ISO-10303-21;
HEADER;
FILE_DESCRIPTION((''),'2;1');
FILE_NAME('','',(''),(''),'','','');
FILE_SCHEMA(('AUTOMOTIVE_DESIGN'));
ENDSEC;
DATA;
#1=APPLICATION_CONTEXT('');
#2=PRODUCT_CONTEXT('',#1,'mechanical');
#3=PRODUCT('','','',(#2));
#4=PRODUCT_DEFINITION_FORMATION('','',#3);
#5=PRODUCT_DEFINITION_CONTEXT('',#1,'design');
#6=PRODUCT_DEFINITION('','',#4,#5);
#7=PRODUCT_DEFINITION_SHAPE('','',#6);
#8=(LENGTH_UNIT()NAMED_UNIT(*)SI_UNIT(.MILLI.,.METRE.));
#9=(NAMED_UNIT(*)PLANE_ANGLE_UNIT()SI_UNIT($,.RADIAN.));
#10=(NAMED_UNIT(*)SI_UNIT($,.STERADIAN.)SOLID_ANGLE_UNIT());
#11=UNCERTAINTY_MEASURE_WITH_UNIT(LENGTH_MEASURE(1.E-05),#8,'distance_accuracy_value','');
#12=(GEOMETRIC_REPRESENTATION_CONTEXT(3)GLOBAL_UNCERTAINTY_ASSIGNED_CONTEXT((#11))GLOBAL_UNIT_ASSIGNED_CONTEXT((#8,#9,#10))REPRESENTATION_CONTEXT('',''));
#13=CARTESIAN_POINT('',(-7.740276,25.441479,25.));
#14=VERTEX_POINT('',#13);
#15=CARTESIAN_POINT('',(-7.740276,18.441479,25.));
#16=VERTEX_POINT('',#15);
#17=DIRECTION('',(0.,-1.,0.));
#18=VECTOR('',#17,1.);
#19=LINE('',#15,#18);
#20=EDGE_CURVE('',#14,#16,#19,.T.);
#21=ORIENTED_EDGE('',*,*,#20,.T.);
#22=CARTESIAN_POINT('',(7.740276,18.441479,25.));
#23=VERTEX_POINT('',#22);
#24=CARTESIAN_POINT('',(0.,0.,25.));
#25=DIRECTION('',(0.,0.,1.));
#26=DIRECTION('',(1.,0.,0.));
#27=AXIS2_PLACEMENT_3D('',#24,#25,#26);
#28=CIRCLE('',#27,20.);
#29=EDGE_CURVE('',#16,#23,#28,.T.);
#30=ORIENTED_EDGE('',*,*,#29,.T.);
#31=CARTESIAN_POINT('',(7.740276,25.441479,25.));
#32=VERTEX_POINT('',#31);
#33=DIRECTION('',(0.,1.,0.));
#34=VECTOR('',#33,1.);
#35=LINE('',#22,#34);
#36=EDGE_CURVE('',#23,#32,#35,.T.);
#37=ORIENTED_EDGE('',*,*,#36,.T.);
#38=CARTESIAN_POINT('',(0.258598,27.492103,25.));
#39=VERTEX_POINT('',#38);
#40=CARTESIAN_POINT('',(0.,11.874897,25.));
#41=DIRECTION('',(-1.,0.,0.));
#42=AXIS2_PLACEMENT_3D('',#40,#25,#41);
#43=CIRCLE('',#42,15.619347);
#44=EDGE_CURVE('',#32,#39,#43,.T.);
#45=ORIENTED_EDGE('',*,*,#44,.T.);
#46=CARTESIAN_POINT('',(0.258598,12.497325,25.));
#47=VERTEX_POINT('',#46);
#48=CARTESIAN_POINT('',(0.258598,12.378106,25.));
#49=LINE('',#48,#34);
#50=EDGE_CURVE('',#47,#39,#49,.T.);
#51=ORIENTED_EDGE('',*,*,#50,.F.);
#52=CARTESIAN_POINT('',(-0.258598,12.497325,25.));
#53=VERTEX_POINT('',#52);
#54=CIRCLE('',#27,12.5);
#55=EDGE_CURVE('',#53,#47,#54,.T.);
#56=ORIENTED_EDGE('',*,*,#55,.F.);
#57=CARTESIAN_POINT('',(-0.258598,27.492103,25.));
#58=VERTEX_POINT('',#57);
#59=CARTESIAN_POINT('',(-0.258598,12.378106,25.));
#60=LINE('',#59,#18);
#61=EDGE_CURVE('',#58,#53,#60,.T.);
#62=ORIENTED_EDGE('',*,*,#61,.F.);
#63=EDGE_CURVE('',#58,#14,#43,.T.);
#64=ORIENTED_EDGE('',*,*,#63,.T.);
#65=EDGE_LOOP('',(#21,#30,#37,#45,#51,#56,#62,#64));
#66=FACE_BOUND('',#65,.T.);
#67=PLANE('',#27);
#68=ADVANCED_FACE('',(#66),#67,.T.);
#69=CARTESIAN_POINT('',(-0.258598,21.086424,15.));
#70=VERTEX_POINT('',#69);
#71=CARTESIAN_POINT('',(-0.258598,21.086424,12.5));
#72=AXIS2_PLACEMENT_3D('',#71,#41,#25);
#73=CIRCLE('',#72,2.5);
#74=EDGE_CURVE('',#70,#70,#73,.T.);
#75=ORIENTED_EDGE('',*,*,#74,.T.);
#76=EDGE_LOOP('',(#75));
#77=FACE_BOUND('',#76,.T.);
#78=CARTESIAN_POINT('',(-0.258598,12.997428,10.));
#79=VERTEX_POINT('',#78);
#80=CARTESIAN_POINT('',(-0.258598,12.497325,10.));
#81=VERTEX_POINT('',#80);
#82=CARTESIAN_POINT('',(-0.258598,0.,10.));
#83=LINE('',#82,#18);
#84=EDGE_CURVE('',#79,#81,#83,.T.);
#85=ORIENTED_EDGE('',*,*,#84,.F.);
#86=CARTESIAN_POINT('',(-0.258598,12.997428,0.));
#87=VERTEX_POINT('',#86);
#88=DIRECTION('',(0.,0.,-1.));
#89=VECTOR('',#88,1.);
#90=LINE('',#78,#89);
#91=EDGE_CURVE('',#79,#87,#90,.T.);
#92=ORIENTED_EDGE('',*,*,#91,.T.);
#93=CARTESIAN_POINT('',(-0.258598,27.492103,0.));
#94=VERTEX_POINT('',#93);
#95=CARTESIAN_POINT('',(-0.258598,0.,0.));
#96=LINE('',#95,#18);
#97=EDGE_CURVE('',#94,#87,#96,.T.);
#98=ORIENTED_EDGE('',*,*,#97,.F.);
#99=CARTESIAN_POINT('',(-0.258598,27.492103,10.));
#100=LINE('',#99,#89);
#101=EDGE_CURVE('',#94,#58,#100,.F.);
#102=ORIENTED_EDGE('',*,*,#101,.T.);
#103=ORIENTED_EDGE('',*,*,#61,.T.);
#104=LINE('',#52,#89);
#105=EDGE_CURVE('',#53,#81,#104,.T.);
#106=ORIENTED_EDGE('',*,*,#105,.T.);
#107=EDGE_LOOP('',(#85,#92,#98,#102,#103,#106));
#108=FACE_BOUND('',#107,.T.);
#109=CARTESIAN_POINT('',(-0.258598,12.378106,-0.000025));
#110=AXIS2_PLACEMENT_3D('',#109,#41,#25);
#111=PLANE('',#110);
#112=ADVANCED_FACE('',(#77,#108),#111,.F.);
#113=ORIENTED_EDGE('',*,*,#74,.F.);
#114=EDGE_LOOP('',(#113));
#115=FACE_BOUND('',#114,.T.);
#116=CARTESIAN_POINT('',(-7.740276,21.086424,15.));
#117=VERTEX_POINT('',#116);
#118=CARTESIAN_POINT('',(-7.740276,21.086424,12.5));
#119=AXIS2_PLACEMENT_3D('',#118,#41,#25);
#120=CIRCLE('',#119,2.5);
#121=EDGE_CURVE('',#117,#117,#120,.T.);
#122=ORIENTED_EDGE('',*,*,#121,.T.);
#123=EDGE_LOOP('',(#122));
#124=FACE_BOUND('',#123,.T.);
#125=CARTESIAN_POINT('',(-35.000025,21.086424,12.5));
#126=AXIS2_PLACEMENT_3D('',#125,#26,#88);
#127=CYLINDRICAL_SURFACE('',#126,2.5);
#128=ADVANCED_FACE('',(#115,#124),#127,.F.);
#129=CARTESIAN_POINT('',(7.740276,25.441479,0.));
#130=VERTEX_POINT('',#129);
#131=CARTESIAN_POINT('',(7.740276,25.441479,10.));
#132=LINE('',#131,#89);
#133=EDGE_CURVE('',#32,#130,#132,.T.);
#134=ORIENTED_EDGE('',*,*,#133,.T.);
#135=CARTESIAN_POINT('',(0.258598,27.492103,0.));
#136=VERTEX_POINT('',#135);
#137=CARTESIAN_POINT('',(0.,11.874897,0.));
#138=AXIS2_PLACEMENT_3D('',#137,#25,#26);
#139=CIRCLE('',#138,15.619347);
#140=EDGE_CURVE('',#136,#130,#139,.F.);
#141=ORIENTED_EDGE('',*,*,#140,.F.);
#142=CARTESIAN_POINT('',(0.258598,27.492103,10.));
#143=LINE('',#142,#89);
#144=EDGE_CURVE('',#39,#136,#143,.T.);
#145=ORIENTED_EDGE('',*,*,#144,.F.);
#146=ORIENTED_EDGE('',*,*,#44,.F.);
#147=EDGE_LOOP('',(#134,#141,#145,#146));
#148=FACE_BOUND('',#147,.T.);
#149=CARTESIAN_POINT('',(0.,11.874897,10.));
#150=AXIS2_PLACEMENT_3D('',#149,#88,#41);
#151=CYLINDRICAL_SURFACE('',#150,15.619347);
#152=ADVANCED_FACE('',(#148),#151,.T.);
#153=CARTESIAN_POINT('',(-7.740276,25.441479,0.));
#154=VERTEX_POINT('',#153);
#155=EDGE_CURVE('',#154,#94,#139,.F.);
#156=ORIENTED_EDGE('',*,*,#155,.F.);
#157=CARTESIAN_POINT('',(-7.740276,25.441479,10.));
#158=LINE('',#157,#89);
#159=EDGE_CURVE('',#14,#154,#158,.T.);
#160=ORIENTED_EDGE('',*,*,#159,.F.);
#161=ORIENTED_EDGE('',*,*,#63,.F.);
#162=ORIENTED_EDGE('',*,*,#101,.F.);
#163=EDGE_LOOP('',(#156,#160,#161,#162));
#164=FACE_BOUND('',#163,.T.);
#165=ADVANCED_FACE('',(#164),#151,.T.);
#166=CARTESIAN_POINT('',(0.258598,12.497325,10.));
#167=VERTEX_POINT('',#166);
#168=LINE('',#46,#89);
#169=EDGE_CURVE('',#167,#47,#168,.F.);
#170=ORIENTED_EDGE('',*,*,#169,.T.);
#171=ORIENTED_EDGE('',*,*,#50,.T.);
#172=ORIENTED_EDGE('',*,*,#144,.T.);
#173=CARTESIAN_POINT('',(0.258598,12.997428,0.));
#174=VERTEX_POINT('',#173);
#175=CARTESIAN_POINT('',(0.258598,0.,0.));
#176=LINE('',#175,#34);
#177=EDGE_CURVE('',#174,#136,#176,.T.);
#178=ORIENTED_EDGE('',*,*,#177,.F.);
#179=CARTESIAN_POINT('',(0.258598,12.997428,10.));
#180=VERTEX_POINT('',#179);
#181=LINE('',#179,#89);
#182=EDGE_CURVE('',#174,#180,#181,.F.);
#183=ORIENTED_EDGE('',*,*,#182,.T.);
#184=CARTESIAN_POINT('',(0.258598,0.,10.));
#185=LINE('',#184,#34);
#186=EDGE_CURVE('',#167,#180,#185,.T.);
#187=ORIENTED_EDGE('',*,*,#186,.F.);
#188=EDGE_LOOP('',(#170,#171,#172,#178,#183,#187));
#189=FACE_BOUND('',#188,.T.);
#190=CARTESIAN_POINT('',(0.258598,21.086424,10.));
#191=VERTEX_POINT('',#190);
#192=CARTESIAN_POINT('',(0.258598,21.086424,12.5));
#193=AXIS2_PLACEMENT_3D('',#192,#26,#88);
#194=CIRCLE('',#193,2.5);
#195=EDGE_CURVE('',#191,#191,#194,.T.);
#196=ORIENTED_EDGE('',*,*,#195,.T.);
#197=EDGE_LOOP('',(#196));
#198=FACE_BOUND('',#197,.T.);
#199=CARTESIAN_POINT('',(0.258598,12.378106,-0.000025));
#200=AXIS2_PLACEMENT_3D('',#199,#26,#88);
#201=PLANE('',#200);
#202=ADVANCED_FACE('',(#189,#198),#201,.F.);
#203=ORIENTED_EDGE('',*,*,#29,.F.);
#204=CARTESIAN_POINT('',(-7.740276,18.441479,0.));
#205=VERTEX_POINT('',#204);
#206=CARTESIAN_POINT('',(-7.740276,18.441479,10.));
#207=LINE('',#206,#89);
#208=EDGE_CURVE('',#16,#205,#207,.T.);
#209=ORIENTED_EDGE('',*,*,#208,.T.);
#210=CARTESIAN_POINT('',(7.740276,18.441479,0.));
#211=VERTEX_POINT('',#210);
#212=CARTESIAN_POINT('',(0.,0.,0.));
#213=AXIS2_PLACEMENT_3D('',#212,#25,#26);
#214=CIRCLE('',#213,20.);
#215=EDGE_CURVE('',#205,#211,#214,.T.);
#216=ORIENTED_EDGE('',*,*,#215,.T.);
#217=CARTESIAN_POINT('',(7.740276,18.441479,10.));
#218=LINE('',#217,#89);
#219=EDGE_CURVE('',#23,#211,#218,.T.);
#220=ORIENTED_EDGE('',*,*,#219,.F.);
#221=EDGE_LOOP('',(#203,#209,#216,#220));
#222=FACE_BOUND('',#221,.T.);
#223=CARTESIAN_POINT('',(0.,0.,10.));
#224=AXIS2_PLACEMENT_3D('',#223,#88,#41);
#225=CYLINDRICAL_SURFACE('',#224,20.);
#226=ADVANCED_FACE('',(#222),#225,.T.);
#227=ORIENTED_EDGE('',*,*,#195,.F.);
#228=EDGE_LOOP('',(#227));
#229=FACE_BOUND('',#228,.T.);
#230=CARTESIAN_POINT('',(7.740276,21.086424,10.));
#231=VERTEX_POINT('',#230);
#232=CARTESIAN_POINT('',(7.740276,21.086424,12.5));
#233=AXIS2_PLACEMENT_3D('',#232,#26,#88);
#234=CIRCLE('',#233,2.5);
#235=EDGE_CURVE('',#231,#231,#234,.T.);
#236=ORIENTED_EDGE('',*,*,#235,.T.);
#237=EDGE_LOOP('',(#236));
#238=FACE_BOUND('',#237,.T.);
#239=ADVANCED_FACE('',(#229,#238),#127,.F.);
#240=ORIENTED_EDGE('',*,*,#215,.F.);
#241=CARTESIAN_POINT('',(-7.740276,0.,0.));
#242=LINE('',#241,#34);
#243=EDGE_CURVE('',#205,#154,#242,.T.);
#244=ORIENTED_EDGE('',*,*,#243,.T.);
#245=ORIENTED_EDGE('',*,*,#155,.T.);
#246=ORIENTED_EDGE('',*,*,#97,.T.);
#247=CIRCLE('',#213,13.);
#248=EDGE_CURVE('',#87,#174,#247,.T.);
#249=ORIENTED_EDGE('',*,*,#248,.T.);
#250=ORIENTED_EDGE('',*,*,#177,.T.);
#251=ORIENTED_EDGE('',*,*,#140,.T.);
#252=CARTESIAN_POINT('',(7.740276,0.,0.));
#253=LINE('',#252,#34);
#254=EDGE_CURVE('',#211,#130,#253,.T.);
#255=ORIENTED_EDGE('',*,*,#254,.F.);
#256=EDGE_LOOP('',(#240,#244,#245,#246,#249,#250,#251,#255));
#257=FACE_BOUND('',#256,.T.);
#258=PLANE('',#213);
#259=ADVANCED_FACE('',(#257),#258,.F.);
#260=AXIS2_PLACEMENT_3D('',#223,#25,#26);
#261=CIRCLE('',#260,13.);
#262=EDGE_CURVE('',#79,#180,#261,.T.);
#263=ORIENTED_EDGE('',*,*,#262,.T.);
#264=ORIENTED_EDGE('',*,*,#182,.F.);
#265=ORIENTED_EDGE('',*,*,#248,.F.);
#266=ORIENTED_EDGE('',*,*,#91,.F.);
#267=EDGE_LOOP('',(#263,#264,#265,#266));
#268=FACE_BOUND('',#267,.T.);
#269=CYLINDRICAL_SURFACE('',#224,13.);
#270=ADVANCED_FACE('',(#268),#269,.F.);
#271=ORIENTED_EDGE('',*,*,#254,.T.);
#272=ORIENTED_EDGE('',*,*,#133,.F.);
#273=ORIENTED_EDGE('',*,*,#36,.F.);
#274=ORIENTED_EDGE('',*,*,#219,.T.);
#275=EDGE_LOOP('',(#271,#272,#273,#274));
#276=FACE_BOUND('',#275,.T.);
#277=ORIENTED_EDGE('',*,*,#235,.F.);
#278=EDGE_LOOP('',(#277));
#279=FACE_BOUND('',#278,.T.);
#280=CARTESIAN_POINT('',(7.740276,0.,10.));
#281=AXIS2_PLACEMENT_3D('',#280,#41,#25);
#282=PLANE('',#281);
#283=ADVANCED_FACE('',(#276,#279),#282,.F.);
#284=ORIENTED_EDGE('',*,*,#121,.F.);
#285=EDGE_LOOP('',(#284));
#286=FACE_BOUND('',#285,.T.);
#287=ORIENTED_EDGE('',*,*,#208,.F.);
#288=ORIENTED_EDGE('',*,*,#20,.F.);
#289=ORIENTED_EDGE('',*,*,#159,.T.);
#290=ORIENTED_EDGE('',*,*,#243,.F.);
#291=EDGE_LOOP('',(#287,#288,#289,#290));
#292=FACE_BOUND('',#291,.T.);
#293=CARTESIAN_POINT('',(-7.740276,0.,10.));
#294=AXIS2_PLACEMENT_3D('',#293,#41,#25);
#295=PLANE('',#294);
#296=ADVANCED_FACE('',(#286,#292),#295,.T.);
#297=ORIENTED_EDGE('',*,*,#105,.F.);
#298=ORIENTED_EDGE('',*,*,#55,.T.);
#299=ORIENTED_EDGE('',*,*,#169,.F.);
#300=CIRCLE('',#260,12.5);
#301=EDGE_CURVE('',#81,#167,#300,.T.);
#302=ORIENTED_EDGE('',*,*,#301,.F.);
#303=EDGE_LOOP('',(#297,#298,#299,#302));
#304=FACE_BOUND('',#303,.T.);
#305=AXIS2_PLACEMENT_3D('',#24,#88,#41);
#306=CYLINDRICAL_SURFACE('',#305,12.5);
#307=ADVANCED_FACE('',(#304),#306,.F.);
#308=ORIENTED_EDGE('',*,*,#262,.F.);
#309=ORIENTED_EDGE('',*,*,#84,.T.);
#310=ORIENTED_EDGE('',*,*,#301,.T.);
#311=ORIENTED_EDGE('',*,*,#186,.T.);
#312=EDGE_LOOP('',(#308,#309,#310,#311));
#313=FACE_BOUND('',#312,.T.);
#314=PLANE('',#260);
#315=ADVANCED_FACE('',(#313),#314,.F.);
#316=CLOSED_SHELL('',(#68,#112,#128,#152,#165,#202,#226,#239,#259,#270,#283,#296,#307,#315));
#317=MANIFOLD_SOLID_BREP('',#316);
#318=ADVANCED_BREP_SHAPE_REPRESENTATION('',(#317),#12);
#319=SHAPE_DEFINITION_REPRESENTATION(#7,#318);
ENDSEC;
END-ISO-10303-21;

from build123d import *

# Parameters (mm, degrees)
SKETCH_1_R          = 3.5
SKETCH_1_R_2        = 13
EXTRUDE_2_DEPTH     = 10
SKETCH_2_R          = 12.5
EXTRUDE_3_DEPTH     = 15
SKETCH_3_W          = 0.517195108
SKETCH_3_H          = 18.726193104
CUT_EXTRUDE_1_DEPTH = 26
SKETCH_4_R          = 2.5
CUT_EXTRUDE_2_DEPTH = 43.740275714
CUT_EXTRUDE_3_DEPTH = 10


with BuildPart() as part:
    # 草图1 → 凸台-拉伸2 (new body)
    with BuildSketch(Plane.XY):
        with BuildLine():
            Line((-35, -7), (-7.740275714, -18.44147857))
            ThreePointArc((-7.740275714, -18.44147857), (0, -20), (7.740275714, -18.44147857))
            Line((7.740275714, -18.44147857), (35, -7))
            Line((35, -7), (35, 7))
            Line((35, 7), (7.740275714, 18.44147857))
            Line((7.740275714, 18.44147857), (7.740275714, 25.44147857))
            ThreePointArc((7.740275714, 25.44147857), (0, 27.494244152), (-7.740275714, 25.44147857))
            Line((-7.740275714, 25.44147857), (-7.740275714, 18.44147857))
            Line((-7.740275714, 18.44147857), (-35, 7))
            Line((-35, 7), (-35, -7))
        make_face()
        with Locations((-28, 0)):
            Circle(SKETCH_1_R, mode=Mode.SUBTRACT)
        Circle(SKETCH_1_R_2, mode=Mode.SUBTRACT)
        with Locations((28, 0)):
            Circle(SKETCH_1_R, mode=Mode.SUBTRACT)
    extrude(amount=EXTRUDE_2_DEPTH)

    # 草图2 → 凸台-拉伸3 (add)
    with BuildSketch(Plane.XY.offset(10)):
        with BuildLine():
            Line((-7.740275714, 18.44147857), (-7.740275714, 25.44147857))
            ThreePointArc((-7.740275714, 25.44147857), (0, 27.494244152), (7.740275714, 25.44147857))
            Line((7.740275714, 25.44147857), (7.740275714, 18.44147857))
            ThreePointArc((7.740275714, 18.44147857), (0, -20), (-7.740275714, 18.44147857))
        make_face()
        Circle(SKETCH_2_R, mode=Mode.SUBTRACT)
    extrude(amount=EXTRUDE_3_DEPTH)

    # 草图3 → 切除-拉伸1 (cut, through all)
    with BuildSketch(Plane.XY.offset(25)):
        with Locations((0, 21.741202931)):
            Rectangle(SKETCH_3_W, SKETCH_3_H)
    extrude(amount=-CUT_EXTRUDE_1_DEPTH, mode=Mode.SUBTRACT)

    # 草图4 → 切除-拉伸2 (cut, through all)
    with BuildSketch(Plane(origin=(7.740275714, 0, 0), x_dir=(0, 0, -1), z_dir=(1, 0, 0))):
        with Locations((-12.5, 21.086423576)):
            Circle(SKETCH_4_R)
    extrude(amount=-CUT_EXTRUDE_2_DEPTH, mode=Mode.SUBTRACT)

    # 草图6 → 切除-拉伸3 (cut)
    with BuildSketch(Plane.XY.offset(10)):
        with BuildLine():
            Line((-7.740275714, 18.44147857), (-35, 7))
            Line((-35, 7), (-35, -7))
            Line((-35, -7), (-7.740275714, -18.44147857))
            ThreePointArc((-7.740275714, -18.44147857), (-20, 0), (-7.740275714, 18.44147857))
        make_face()
        with BuildLine():
            Line((7.740275714, -18.44147857), (35, -7))
            Line((35, -7), (35, 7))
            Line((35, 7), (7.740275714, 18.44147857))
            ThreePointArc((7.740275714, 18.44147857), (20, 0), (7.740275714, -18.44147857))
        make_face()
    extrude(amount=-CUT_EXTRUDE_3_DEPTH, mode=Mode.SUBTRACT)


solid = part.part
